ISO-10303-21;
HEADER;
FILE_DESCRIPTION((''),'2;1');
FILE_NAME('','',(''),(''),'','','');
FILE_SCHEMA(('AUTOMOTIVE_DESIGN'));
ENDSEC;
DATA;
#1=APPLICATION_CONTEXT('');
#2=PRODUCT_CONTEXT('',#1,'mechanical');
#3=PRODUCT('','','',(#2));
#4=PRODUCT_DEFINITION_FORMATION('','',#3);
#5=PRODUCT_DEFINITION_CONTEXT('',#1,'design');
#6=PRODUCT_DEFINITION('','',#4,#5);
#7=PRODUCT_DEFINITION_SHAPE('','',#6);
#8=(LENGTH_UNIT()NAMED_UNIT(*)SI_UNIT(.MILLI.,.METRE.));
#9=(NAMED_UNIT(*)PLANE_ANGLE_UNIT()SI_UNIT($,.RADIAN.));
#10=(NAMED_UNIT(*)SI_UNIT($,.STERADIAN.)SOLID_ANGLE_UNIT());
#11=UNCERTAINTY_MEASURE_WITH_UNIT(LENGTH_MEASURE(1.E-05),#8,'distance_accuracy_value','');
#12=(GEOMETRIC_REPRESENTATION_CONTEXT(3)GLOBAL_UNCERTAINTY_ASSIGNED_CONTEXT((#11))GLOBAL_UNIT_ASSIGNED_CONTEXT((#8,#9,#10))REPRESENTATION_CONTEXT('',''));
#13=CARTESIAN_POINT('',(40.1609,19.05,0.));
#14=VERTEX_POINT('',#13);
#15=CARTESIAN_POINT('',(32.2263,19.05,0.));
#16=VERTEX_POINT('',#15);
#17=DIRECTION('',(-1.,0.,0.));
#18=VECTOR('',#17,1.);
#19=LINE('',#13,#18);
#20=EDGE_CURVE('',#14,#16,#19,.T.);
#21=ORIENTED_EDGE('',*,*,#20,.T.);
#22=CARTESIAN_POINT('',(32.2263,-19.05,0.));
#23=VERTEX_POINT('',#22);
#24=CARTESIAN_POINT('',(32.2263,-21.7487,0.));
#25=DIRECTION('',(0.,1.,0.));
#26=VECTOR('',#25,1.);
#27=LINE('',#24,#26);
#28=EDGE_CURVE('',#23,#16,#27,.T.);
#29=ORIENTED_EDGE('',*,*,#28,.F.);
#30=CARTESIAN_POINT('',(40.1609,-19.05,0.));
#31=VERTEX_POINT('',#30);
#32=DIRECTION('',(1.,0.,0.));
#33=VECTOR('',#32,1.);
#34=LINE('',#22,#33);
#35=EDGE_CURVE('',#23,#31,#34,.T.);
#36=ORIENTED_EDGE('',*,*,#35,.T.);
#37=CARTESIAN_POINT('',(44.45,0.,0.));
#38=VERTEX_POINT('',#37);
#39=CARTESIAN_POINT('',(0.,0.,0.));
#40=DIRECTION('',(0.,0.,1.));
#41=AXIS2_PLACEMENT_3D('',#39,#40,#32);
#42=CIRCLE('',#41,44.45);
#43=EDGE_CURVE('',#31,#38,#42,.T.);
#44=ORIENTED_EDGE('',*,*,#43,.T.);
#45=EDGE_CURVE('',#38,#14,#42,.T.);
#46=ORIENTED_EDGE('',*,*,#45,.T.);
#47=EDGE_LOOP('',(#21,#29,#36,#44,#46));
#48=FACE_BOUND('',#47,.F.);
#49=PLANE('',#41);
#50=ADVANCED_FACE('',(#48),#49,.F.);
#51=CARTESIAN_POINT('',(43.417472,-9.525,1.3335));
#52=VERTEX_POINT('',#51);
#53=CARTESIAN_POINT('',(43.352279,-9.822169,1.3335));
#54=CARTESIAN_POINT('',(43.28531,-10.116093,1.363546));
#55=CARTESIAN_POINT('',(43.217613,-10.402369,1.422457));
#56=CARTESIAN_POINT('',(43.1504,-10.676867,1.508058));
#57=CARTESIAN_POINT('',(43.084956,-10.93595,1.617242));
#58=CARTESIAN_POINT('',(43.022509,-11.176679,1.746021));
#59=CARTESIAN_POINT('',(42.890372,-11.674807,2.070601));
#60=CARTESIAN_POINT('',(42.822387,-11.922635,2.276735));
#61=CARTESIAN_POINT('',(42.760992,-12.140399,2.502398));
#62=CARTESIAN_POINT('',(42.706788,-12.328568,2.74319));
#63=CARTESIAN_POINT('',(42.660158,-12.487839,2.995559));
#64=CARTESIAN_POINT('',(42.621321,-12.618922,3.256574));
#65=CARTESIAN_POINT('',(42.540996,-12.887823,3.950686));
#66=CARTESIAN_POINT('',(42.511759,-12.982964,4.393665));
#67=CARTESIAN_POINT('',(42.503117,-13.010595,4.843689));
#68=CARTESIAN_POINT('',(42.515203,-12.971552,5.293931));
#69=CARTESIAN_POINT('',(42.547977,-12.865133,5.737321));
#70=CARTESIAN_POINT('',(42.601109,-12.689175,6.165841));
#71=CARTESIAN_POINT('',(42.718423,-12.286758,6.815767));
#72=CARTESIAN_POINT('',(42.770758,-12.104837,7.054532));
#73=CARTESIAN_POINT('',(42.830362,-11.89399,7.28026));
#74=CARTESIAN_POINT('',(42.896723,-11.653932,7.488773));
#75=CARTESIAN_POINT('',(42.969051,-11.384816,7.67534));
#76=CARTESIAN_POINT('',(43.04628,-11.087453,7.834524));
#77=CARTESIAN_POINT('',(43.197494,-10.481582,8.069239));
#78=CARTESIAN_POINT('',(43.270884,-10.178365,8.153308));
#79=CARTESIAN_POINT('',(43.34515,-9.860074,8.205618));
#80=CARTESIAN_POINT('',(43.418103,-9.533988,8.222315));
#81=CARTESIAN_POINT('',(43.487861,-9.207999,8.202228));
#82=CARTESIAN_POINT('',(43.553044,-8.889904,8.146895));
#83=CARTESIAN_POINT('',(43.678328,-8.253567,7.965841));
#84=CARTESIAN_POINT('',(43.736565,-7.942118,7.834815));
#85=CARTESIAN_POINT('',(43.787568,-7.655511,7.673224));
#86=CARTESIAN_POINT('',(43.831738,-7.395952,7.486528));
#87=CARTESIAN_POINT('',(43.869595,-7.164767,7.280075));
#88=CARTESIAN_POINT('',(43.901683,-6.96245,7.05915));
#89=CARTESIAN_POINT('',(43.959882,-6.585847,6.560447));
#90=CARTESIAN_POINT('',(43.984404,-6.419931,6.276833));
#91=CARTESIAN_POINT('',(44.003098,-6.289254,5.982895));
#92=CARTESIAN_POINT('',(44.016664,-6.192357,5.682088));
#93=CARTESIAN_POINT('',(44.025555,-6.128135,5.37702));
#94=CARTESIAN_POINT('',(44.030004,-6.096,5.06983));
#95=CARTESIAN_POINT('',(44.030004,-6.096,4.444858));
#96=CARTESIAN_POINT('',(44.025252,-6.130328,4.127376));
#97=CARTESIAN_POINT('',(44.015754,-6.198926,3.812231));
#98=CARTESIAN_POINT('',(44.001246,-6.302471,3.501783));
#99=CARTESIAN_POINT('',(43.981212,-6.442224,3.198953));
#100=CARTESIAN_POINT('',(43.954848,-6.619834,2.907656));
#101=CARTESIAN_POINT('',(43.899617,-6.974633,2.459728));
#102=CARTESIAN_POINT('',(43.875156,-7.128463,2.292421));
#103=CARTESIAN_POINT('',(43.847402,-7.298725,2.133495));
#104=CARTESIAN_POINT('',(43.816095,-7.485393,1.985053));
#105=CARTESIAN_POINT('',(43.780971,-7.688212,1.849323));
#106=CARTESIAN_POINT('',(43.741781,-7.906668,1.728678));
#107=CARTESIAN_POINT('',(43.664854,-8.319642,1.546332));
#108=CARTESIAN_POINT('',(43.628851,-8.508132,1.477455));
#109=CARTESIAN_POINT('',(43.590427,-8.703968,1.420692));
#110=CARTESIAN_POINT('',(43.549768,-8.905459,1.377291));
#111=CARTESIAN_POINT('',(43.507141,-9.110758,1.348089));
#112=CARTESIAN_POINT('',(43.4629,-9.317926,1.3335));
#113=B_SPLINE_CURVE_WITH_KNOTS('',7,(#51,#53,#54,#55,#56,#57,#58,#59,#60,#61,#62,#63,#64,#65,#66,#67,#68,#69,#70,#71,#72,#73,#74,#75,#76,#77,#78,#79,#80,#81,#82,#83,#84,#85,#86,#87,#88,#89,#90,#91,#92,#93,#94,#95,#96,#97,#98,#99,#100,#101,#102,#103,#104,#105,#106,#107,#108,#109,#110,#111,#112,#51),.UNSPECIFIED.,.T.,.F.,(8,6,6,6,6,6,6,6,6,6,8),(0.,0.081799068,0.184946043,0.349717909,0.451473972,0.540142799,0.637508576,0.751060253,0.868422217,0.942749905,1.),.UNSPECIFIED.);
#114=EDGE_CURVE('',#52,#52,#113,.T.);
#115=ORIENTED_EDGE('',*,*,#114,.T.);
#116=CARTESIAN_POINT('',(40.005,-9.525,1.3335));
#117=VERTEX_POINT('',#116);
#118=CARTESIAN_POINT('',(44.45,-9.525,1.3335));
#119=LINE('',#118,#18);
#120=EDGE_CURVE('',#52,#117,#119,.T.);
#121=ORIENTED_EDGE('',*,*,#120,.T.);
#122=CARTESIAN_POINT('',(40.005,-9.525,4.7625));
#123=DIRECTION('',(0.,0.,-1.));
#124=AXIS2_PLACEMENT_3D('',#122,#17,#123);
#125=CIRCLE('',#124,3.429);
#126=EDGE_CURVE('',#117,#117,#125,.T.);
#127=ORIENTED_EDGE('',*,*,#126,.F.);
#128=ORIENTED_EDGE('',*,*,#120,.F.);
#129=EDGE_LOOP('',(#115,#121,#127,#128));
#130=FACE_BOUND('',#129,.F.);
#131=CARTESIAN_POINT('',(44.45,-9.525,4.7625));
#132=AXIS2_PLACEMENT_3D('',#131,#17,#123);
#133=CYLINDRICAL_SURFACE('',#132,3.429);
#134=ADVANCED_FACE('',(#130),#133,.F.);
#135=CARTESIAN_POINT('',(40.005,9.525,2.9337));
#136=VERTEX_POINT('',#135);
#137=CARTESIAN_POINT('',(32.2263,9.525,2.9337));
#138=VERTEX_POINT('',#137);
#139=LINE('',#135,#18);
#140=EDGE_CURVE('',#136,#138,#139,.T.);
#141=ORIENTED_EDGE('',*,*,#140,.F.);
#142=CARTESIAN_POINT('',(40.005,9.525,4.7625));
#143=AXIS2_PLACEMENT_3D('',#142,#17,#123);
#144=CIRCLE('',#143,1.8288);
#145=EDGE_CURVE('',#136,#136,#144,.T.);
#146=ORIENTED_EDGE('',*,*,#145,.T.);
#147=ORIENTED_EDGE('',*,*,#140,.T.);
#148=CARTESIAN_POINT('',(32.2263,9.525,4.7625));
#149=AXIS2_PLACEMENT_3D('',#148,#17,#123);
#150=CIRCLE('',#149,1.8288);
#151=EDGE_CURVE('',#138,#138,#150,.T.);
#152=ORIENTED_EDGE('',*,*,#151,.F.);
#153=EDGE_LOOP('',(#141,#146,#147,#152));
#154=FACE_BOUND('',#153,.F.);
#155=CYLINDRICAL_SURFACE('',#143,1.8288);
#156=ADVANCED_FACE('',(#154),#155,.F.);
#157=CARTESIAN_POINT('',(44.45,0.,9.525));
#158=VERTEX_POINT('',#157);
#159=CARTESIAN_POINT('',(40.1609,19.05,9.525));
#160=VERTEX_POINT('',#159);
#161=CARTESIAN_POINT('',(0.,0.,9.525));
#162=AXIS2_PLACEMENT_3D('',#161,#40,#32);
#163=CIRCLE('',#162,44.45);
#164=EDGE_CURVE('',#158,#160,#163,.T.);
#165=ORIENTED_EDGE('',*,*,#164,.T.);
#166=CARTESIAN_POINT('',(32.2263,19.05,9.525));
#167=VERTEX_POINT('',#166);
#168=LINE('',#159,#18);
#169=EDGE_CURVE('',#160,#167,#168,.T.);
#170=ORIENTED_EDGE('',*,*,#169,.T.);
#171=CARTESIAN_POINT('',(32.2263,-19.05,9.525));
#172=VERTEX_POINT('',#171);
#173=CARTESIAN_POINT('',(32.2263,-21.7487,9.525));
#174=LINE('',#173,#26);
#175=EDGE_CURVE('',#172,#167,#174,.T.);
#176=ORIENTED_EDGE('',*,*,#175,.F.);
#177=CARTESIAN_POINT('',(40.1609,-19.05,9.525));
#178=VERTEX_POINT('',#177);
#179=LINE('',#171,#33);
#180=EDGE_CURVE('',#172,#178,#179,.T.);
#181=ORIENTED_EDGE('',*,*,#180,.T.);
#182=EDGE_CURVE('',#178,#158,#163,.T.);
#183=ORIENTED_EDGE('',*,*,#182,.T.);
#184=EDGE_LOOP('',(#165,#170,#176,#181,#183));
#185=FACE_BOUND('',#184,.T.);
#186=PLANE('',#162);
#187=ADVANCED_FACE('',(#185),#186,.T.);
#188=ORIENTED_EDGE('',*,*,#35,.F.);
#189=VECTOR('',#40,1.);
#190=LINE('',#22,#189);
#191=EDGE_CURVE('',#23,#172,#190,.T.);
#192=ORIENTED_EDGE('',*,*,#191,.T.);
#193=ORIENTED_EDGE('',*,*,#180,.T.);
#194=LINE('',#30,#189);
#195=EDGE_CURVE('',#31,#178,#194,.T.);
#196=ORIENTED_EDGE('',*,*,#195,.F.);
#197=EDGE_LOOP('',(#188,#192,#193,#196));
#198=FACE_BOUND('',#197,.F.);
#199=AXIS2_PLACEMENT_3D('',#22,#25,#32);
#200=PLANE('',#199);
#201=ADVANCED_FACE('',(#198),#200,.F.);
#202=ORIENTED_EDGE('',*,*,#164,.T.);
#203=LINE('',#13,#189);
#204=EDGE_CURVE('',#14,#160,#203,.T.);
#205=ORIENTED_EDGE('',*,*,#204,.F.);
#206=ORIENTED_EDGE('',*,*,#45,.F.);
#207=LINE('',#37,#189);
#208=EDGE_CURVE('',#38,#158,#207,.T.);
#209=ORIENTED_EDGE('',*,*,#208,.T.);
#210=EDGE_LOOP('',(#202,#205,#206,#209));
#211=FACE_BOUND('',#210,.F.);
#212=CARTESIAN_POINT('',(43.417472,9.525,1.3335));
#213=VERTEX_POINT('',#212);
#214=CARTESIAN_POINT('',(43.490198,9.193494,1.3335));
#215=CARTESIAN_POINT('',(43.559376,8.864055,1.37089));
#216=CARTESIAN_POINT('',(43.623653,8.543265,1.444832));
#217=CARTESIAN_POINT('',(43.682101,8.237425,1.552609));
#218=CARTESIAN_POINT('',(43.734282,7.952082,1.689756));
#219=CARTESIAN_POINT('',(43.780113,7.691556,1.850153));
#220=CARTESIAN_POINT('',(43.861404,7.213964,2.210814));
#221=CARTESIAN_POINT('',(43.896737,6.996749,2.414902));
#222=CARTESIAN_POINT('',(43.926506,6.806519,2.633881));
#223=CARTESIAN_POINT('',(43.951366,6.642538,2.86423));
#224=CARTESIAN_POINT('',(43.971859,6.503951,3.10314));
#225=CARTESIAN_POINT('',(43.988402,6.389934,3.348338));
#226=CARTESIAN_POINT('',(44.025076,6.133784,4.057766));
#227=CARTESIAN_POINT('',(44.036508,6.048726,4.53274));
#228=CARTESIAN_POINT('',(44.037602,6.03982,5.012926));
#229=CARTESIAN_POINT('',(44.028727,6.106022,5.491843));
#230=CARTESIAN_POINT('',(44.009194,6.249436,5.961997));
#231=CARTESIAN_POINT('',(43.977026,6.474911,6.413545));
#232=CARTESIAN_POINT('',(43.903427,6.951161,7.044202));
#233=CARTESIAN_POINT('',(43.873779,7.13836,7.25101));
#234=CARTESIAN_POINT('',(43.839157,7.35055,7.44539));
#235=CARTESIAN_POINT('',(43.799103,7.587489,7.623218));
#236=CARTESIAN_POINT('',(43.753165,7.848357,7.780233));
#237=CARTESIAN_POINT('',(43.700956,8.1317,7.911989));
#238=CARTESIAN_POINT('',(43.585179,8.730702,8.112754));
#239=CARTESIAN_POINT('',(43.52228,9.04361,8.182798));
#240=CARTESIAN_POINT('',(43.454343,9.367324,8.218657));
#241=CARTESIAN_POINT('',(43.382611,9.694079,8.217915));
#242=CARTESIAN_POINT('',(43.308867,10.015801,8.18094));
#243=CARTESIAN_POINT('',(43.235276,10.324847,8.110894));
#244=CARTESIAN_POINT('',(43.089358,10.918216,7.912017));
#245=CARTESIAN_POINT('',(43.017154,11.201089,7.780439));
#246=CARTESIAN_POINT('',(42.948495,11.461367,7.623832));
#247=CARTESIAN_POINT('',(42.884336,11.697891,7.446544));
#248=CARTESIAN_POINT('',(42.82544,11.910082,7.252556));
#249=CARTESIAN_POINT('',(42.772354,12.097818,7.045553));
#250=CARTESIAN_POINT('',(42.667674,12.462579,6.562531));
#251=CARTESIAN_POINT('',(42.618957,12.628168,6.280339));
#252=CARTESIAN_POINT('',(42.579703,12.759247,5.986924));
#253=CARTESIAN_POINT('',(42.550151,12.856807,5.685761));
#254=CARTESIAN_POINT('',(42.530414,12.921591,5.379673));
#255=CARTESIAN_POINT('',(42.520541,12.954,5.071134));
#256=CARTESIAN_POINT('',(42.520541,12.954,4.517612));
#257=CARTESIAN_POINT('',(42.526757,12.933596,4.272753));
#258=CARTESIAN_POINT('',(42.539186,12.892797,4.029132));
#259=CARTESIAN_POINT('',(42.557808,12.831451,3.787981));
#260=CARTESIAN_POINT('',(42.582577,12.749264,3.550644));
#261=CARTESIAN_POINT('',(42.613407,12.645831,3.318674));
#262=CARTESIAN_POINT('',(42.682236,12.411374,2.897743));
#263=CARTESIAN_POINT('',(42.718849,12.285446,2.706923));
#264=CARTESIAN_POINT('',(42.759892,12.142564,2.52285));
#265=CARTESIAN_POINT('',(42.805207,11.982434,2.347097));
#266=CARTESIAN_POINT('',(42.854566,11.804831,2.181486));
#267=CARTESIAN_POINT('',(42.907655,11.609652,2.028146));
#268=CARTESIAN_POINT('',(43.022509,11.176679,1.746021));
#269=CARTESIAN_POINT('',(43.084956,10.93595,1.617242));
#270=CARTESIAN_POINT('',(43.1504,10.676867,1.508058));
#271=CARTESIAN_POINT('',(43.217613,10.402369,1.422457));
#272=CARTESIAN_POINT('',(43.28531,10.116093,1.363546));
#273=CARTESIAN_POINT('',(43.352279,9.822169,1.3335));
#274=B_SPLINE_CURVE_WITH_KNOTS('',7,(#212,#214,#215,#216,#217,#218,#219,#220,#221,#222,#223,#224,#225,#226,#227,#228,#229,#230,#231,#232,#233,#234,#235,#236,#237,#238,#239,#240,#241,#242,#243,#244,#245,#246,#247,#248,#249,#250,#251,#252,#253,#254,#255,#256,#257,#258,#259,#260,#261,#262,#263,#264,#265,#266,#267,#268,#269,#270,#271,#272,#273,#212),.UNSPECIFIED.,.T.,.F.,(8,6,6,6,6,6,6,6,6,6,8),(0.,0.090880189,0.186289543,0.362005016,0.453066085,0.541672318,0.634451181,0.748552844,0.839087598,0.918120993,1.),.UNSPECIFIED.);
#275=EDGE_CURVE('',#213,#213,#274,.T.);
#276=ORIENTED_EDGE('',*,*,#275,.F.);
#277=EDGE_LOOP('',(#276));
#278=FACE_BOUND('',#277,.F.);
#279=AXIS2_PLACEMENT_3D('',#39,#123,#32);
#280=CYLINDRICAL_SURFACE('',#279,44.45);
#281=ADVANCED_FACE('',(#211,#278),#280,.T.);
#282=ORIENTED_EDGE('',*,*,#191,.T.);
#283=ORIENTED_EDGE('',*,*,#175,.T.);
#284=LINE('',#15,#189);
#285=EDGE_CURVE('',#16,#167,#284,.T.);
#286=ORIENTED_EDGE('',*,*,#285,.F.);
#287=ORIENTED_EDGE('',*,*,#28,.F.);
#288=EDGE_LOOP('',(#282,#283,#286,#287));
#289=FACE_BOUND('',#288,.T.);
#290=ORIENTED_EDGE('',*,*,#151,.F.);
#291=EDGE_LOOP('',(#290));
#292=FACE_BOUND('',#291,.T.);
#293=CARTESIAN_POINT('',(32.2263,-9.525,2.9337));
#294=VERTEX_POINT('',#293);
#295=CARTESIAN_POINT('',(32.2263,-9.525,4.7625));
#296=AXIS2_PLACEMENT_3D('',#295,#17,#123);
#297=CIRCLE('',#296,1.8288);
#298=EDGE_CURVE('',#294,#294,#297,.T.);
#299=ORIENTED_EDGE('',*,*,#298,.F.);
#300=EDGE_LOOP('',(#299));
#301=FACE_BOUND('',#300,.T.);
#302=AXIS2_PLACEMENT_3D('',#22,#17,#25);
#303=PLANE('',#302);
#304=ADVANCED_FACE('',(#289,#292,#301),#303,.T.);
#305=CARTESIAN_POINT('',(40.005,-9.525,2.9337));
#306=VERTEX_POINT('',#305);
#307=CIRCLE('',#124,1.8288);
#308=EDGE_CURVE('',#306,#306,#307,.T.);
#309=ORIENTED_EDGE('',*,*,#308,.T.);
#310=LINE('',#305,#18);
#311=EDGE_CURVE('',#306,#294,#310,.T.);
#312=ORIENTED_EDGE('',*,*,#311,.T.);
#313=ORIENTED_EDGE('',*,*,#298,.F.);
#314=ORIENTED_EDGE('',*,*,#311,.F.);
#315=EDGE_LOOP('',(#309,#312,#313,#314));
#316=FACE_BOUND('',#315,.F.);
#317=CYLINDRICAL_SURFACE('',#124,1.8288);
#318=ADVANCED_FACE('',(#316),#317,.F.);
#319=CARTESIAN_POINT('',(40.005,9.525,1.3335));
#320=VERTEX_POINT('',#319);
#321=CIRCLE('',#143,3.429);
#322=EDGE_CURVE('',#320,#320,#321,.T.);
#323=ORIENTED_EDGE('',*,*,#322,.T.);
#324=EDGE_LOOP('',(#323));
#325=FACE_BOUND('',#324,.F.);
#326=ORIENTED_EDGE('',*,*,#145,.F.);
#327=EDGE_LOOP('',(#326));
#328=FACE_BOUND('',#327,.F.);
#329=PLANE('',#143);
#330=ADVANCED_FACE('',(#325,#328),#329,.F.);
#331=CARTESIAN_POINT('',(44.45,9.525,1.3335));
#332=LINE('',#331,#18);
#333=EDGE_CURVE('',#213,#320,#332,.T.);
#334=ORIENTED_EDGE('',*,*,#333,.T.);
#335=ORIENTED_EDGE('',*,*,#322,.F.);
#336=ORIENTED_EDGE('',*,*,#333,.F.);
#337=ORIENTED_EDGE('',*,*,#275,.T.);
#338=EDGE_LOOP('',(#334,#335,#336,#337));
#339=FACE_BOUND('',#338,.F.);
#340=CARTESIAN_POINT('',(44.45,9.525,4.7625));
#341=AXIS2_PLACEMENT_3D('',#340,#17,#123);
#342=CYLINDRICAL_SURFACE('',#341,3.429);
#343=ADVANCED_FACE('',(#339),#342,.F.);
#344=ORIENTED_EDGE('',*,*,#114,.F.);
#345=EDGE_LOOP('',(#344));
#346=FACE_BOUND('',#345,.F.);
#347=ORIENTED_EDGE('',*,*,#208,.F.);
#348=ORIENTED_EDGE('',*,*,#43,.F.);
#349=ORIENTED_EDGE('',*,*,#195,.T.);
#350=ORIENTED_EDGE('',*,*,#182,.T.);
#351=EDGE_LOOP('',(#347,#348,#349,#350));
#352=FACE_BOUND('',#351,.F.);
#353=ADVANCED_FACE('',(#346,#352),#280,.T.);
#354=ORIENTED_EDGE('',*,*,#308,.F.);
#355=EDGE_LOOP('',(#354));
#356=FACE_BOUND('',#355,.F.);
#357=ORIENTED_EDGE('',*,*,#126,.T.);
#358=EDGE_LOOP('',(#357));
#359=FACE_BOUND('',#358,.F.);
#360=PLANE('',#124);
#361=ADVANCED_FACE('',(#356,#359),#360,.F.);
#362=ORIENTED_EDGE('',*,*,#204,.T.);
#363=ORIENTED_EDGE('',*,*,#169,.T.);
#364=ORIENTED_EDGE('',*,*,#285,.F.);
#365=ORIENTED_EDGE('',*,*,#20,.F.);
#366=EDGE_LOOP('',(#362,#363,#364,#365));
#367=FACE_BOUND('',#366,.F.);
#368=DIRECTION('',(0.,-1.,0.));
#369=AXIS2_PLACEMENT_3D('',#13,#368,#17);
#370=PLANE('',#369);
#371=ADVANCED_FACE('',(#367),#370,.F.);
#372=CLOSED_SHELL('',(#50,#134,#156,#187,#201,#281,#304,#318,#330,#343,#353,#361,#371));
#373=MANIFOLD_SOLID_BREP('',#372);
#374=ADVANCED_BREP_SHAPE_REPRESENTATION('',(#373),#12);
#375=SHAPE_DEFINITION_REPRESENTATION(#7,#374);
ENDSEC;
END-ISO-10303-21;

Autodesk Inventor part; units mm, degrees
ref_plane "XZ Plane" through (0, 0, 0) normal (0, 1, 0) x (-1, 0, 0)
ref_plane "XY Plane" through (0, 0, 0) normal (0, 0, 1) x (1, 0, 0)
sketch "Sketch1" plane through (0, 0, 0) normal (0, 0, 1) x (1, 0, 0)
  circle A0 centre (0, 0) radius 44.45
  line L0 (-32.2263, -21.7487) -> (32.2263, -21.7487) construction
  line L1 (32.2263, -21.7487) -> (32.2263, 21.7487)
  line L2 (32.2263, 21.7487) -> (-32.2263, 21.7487) construction
  line L3 (-32.2263, 21.7487) -> (-32.2263, -21.7487) construction
  line L4 (-32.2263, -21.7487) -> (32.2263, 21.7487) construction
  line L5 (32.2263, -21.7487) -> (-32.2263, 21.7487) construction
  line L6 (-23.8125, -30.1625) -> (23.8125, -30.1625) construction
  line L7 (23.8125, -30.1625) -> (23.8125, 30.1625) construction
  line L8 (23.8125, 30.1625) -> (-23.8125, 30.1625) construction
  line L9 (-23.8125, 30.1625) -> (-23.8125, -30.1625) construction
  line L10 (-23.8125, -30.1625) -> (23.8125, 30.1625) construction
  line L11 (23.8125, -30.1625) -> (-23.8125, 30.1625) construction
  line L12 (-32.2263, 21.7487) -> (-23.8125, 30.1625) construction
  line L13 (-32.2263, -21.7487) -> (-23.8125, -30.1625) construction
  line L14 (23.8125, -30.1625) -> (32.2263, -21.7487) construction
  line L15 (32.2263, 21.7487) -> (23.8125, 30.1625) construction
  line L16 (32.2263, 0) -> (44.45, 0) construction
  line L17 (40.1609, 19.05) -> (32.2263, 19.05)
  line L18 (32.2263, -19.05) -> (40.1609, -19.05)
  dimension "d0" = 88.9
  dimension "d2" = 64.4525
  dimension "d5" = 47.625
  dimension "d6" = 60.325
  dimension "d18" = 45
  dimension "d22" = 19.05
  dimension "d23" = 19.05
extrude "Extrusion1" add sketch "Sketch1" along normal blind 9.525 contours A0 L18 L1 L17 picked at (36.3009, 0)
ref_plane "Work Plane1" through (44.45, 0, 0) normal (1, 0, 0) x (0, 1, 0)
sketch "Sketch2" plane through (44.45, 0, 0) normal (1, 0, 0) x (0, 1, 0)
  line L0 (0, 9.9848) -> (0, 0) construction
  line L1 (-19.05, 4.7625) -> (19.05, 4.7625) construction
  line L2 (19.05, 0) -> (-19.05, 0) projected
  line L3 (-19.05, 0) -> (-19.05, 9.525) projected
  line L4 (19.05, 9.525) -> (-19.05, 9.525) projected
  line L5 (19.05, 0) -> (19.05, 9.525) projected
  point P0 (-9.525, 4.7625)
  point P1 (9.525, 4.7625)
  dimension "d9" = 19.05
  dimension "d10" = 9.525
hole "Hole2" at (44.45, -9.525, 4.7625) at (44.45, 9.525, 4.7625) direction (-1, 0, 0) diameter 3.6576 end through all counterbore diameter 6.858 counterbore depth 4.445 clearance for "Socket Head Cap Screw" size "#6" standard "Ansi Unified Screw Threads"
equation "\"d10\" = 0.5 * d9"
properties part number "Radial Bushing"
